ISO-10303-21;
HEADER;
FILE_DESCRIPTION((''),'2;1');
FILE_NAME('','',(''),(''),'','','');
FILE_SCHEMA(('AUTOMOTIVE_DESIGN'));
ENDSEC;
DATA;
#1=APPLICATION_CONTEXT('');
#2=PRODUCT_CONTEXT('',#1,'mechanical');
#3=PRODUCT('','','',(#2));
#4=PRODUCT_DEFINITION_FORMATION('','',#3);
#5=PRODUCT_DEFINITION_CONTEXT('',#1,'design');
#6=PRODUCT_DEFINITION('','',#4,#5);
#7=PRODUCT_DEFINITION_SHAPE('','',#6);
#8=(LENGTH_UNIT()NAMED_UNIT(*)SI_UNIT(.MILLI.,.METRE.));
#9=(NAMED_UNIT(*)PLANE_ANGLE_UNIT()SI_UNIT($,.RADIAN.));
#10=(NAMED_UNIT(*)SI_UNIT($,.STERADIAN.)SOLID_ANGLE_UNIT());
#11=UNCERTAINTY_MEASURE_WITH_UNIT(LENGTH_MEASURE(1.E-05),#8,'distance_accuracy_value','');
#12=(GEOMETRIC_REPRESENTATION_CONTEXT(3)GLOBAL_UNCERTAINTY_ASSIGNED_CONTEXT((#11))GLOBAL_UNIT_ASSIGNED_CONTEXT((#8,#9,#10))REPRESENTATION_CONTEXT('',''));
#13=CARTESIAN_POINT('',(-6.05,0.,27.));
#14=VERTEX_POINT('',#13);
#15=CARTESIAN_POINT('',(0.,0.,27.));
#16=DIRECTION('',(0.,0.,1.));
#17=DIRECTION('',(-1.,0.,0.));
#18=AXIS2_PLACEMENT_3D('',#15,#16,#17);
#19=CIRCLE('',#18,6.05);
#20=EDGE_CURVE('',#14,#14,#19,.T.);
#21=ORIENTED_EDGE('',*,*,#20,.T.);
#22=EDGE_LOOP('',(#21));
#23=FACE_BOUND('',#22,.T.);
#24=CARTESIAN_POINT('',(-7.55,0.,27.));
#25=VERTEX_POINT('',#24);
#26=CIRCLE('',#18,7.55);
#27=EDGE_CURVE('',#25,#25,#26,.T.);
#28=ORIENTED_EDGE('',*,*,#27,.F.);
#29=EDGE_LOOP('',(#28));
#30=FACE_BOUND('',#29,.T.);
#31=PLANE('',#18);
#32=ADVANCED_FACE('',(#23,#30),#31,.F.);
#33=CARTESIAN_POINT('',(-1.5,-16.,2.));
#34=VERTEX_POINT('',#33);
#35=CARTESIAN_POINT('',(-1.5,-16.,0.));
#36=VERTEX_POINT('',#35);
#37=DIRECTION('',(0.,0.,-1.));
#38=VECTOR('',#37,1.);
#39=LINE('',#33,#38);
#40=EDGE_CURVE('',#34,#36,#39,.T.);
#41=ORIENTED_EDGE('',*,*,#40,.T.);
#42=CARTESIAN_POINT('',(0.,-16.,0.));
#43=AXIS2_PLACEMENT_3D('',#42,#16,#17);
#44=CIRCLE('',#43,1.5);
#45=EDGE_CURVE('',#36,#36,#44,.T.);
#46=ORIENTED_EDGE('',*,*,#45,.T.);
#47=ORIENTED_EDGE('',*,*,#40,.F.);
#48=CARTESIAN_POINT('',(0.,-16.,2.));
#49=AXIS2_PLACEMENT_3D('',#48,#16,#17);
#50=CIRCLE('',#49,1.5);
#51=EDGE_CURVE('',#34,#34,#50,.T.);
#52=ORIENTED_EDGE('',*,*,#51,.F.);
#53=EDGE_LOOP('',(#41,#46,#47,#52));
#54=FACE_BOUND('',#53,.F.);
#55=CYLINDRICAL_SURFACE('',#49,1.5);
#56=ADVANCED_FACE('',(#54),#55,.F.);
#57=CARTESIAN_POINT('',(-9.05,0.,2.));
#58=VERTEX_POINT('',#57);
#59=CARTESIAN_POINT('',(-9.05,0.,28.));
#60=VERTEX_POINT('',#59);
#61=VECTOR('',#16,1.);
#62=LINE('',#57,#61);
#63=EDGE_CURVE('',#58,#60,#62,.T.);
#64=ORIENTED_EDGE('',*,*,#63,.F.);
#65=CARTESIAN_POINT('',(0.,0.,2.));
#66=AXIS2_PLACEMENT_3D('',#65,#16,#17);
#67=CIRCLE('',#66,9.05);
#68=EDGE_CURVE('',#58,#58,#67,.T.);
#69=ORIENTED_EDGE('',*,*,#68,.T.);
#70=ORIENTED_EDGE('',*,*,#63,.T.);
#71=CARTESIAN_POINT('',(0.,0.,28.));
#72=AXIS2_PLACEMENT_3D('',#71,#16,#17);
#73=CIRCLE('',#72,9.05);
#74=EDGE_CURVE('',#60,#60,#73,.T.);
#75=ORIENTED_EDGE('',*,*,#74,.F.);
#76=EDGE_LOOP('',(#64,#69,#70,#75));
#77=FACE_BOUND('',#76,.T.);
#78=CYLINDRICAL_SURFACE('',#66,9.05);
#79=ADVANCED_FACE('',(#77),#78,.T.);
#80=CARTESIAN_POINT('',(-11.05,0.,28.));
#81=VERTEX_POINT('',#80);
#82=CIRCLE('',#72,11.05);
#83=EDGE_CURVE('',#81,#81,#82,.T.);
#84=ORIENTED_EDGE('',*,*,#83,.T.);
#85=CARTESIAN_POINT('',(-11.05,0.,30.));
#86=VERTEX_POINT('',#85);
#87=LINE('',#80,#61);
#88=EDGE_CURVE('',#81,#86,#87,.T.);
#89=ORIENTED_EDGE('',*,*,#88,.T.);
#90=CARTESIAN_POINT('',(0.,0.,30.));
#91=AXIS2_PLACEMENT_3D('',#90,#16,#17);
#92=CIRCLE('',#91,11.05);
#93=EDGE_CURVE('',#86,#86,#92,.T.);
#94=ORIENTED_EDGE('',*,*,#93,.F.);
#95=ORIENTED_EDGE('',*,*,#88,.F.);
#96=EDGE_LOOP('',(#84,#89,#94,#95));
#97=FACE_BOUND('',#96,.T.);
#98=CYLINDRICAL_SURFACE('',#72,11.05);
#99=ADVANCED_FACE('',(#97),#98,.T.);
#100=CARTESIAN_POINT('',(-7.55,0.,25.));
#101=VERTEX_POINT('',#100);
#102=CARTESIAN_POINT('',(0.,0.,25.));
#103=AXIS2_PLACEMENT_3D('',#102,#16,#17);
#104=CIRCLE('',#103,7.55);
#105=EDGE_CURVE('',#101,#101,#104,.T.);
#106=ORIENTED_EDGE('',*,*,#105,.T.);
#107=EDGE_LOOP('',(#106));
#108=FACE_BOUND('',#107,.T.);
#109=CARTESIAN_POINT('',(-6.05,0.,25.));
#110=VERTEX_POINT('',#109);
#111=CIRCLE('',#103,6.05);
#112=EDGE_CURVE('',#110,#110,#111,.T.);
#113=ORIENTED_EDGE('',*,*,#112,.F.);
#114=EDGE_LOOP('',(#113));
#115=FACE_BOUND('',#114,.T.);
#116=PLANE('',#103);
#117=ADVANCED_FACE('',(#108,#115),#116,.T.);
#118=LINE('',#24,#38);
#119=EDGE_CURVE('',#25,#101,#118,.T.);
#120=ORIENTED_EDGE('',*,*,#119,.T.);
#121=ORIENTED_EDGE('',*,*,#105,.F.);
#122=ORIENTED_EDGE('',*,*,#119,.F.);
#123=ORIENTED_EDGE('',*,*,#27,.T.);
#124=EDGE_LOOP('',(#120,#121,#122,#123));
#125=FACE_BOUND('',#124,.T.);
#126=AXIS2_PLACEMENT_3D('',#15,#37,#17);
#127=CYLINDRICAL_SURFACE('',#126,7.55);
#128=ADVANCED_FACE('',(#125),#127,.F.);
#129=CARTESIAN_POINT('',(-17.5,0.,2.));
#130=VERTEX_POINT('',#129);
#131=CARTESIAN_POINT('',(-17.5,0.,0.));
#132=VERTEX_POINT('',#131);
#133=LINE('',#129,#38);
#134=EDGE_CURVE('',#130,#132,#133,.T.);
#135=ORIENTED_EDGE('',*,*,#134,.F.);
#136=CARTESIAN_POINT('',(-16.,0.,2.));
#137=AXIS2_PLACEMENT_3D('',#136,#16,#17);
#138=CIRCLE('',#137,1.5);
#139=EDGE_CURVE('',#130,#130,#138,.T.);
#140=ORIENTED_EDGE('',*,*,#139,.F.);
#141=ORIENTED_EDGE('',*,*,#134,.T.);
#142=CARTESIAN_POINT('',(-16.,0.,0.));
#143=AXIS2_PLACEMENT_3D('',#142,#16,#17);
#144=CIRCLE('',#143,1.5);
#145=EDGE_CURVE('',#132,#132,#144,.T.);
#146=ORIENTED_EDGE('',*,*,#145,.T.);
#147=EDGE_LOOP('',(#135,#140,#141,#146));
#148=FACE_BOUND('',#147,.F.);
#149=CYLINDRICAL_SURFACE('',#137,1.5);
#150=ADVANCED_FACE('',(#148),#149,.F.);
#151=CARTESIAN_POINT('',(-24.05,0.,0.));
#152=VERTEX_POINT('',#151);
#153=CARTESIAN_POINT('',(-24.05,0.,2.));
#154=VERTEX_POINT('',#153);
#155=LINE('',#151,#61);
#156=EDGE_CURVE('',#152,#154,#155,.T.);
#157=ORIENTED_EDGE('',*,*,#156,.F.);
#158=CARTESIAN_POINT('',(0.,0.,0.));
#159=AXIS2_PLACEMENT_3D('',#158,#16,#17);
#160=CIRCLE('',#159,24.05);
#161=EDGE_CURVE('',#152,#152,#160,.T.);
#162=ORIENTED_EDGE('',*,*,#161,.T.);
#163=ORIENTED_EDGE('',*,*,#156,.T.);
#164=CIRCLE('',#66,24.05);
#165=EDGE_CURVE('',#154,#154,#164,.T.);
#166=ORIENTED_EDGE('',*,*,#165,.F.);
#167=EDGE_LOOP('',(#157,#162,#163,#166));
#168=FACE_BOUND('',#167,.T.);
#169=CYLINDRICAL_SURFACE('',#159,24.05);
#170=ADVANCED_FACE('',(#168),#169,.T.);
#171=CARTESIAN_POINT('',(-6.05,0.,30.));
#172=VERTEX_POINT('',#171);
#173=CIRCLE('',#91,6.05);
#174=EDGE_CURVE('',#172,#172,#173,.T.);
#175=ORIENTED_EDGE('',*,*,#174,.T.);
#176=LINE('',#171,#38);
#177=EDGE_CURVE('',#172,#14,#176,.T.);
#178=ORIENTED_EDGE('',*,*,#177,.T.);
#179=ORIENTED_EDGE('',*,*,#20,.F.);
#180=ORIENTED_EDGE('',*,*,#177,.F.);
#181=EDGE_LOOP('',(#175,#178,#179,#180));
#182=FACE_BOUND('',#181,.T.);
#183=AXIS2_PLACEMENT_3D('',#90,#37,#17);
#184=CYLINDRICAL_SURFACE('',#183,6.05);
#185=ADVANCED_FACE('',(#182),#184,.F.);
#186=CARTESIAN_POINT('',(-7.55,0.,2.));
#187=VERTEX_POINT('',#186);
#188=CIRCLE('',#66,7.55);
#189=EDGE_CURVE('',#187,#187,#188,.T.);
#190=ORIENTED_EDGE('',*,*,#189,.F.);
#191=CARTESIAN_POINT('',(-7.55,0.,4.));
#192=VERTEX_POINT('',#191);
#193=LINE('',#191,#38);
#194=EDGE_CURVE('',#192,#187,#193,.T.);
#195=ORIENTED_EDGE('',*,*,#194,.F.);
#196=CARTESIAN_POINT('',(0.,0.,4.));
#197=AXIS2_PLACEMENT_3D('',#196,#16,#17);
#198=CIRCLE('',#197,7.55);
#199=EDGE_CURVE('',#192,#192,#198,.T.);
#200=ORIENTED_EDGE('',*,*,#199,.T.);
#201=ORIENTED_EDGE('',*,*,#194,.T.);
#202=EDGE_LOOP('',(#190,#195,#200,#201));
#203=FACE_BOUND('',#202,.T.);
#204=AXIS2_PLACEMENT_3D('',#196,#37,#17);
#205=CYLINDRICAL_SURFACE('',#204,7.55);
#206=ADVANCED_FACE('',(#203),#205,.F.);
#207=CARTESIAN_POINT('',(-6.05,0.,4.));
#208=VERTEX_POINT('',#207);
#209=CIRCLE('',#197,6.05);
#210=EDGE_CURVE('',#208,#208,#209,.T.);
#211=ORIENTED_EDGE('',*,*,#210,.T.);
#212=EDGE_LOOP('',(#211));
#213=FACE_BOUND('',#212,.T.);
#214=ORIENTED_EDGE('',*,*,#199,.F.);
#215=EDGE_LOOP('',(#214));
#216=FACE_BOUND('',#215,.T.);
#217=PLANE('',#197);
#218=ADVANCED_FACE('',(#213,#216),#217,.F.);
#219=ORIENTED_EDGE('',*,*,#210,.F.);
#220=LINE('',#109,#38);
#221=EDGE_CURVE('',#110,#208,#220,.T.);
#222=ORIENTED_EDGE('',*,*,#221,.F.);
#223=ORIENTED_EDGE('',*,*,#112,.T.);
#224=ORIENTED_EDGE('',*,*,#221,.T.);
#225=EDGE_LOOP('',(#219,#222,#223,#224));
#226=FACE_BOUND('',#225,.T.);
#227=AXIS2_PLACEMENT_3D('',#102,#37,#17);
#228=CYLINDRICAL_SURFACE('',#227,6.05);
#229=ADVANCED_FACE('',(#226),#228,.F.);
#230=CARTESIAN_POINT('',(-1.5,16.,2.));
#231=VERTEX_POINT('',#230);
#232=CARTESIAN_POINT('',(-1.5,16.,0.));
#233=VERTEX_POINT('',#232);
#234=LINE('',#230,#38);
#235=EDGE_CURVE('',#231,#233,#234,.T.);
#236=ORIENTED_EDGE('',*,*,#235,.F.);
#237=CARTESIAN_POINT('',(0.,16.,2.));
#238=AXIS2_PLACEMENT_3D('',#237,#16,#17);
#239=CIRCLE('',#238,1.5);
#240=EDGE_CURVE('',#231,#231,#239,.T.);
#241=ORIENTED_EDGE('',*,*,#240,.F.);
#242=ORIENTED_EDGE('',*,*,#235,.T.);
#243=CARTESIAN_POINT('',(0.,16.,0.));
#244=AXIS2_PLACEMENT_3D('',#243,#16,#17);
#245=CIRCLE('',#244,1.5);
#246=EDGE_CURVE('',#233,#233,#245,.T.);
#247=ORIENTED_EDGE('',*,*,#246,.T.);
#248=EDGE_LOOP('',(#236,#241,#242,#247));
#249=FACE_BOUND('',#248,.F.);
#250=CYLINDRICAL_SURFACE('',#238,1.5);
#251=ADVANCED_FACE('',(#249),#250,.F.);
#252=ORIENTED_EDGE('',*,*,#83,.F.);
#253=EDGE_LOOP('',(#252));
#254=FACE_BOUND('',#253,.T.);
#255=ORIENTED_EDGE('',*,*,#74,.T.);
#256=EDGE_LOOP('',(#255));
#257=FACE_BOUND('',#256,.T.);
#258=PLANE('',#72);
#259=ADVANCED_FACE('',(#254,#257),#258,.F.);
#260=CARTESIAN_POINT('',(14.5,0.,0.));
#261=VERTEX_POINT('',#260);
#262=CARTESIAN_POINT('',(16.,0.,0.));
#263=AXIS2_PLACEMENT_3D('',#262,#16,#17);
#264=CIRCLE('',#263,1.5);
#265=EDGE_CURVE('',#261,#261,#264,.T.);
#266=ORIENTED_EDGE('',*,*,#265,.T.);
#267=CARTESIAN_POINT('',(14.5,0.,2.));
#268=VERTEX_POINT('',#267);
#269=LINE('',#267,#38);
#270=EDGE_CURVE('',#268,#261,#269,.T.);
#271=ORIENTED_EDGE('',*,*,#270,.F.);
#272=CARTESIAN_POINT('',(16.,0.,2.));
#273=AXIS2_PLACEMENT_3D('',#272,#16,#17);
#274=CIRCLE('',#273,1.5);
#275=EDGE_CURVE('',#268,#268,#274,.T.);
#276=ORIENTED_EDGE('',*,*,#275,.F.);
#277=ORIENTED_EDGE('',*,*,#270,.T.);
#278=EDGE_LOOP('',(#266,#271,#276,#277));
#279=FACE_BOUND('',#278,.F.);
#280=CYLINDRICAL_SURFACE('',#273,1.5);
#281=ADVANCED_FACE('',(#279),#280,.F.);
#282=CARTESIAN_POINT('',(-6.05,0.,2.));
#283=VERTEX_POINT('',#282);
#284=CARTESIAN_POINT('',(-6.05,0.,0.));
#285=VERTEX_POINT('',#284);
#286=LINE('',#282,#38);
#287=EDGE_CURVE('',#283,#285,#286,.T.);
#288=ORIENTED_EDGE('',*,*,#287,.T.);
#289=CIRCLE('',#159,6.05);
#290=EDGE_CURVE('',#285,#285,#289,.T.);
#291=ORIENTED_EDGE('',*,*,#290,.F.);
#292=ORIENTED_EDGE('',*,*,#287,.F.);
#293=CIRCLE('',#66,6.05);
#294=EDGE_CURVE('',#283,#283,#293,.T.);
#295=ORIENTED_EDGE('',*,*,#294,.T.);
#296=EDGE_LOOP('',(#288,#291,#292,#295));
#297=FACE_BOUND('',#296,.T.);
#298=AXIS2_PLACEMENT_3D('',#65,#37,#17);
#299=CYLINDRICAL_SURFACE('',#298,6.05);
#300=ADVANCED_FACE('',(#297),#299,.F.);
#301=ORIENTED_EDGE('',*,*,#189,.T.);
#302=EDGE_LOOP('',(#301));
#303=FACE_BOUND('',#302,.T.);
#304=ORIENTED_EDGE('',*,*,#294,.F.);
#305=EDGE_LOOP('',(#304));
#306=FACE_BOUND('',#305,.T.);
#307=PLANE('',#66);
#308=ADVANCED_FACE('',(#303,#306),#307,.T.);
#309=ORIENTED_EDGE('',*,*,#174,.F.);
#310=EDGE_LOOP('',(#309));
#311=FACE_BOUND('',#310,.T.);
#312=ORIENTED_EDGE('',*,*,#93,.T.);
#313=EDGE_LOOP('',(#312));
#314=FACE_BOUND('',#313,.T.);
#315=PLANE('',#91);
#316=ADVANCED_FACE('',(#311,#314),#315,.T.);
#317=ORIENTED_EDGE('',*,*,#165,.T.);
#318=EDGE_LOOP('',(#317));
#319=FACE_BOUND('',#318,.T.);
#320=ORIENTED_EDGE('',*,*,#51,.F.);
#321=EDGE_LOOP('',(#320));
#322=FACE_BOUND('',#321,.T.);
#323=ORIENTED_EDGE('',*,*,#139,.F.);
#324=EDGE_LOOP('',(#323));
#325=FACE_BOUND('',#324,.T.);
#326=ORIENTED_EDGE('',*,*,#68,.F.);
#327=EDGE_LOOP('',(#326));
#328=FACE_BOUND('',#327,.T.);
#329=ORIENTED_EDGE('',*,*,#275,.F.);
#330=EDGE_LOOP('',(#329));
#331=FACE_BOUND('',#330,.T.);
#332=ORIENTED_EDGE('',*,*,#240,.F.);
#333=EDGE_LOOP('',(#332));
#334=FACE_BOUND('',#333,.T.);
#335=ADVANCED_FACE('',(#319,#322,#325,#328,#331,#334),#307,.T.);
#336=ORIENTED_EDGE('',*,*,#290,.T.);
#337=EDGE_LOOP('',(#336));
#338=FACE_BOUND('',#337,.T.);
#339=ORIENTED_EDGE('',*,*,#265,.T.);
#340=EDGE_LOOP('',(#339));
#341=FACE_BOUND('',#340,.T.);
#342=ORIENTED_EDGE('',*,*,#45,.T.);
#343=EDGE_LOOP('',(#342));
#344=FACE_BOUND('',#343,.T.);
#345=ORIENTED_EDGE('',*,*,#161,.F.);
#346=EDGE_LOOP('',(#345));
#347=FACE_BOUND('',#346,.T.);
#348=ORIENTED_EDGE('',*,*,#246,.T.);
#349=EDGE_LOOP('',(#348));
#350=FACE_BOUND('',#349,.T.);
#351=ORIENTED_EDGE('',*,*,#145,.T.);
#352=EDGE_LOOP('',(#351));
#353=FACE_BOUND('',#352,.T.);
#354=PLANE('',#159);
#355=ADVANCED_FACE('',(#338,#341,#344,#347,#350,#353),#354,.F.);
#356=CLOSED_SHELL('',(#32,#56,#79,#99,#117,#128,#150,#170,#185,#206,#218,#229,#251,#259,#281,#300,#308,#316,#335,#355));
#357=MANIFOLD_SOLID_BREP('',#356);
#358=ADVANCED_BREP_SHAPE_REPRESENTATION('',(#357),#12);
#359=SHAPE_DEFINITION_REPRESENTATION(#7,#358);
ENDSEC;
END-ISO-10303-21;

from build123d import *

# Parameters (mm, degrees)
SKETCH001_R  = 1.5
POCKET_DEPTH = 2.001


with BuildPart() as part:
    # Sketch → Revolution (revolve)
    with BuildSketch(Plane.XZ):
        Polygon((-6.05, 0), (-24.05, 0), (-24.05, 2), (-9.05, 2), (-9.05, 28), (-11.05, 28), (-11.05, 30), (-6.05, 30), (-6.05, 27), (-7.55, 27), (-7.55, 25), (-6.05, 25), (-6.05, 4), (-7.55, 4), (-7.55, 2), (-6.05, 2), align=None)
    revolve(axis=Axis((0, 0, 0), (0, 0, 1)))

    # Sketch001 (on Face3 of Revolution) → Pocket (cut, through all)
    with BuildSketch(Plane(origin=(0, 0, 2), x_dir=(-1, 0, 0), z_dir=(0, 0, 1))):
        with Locations((0, 16)):
            Circle(SKETCH001_R)
        with Locations((0, -16)):
            Circle(SKETCH001_R)
        with Locations((16, 0)):
            Circle(SKETCH001_R)
        with Locations((-16, 0)):
            Circle(SKETCH001_R)
    extrude(amount=-POCKET_DEPTH, mode=Mode.SUBTRACT)


solid = part.part
